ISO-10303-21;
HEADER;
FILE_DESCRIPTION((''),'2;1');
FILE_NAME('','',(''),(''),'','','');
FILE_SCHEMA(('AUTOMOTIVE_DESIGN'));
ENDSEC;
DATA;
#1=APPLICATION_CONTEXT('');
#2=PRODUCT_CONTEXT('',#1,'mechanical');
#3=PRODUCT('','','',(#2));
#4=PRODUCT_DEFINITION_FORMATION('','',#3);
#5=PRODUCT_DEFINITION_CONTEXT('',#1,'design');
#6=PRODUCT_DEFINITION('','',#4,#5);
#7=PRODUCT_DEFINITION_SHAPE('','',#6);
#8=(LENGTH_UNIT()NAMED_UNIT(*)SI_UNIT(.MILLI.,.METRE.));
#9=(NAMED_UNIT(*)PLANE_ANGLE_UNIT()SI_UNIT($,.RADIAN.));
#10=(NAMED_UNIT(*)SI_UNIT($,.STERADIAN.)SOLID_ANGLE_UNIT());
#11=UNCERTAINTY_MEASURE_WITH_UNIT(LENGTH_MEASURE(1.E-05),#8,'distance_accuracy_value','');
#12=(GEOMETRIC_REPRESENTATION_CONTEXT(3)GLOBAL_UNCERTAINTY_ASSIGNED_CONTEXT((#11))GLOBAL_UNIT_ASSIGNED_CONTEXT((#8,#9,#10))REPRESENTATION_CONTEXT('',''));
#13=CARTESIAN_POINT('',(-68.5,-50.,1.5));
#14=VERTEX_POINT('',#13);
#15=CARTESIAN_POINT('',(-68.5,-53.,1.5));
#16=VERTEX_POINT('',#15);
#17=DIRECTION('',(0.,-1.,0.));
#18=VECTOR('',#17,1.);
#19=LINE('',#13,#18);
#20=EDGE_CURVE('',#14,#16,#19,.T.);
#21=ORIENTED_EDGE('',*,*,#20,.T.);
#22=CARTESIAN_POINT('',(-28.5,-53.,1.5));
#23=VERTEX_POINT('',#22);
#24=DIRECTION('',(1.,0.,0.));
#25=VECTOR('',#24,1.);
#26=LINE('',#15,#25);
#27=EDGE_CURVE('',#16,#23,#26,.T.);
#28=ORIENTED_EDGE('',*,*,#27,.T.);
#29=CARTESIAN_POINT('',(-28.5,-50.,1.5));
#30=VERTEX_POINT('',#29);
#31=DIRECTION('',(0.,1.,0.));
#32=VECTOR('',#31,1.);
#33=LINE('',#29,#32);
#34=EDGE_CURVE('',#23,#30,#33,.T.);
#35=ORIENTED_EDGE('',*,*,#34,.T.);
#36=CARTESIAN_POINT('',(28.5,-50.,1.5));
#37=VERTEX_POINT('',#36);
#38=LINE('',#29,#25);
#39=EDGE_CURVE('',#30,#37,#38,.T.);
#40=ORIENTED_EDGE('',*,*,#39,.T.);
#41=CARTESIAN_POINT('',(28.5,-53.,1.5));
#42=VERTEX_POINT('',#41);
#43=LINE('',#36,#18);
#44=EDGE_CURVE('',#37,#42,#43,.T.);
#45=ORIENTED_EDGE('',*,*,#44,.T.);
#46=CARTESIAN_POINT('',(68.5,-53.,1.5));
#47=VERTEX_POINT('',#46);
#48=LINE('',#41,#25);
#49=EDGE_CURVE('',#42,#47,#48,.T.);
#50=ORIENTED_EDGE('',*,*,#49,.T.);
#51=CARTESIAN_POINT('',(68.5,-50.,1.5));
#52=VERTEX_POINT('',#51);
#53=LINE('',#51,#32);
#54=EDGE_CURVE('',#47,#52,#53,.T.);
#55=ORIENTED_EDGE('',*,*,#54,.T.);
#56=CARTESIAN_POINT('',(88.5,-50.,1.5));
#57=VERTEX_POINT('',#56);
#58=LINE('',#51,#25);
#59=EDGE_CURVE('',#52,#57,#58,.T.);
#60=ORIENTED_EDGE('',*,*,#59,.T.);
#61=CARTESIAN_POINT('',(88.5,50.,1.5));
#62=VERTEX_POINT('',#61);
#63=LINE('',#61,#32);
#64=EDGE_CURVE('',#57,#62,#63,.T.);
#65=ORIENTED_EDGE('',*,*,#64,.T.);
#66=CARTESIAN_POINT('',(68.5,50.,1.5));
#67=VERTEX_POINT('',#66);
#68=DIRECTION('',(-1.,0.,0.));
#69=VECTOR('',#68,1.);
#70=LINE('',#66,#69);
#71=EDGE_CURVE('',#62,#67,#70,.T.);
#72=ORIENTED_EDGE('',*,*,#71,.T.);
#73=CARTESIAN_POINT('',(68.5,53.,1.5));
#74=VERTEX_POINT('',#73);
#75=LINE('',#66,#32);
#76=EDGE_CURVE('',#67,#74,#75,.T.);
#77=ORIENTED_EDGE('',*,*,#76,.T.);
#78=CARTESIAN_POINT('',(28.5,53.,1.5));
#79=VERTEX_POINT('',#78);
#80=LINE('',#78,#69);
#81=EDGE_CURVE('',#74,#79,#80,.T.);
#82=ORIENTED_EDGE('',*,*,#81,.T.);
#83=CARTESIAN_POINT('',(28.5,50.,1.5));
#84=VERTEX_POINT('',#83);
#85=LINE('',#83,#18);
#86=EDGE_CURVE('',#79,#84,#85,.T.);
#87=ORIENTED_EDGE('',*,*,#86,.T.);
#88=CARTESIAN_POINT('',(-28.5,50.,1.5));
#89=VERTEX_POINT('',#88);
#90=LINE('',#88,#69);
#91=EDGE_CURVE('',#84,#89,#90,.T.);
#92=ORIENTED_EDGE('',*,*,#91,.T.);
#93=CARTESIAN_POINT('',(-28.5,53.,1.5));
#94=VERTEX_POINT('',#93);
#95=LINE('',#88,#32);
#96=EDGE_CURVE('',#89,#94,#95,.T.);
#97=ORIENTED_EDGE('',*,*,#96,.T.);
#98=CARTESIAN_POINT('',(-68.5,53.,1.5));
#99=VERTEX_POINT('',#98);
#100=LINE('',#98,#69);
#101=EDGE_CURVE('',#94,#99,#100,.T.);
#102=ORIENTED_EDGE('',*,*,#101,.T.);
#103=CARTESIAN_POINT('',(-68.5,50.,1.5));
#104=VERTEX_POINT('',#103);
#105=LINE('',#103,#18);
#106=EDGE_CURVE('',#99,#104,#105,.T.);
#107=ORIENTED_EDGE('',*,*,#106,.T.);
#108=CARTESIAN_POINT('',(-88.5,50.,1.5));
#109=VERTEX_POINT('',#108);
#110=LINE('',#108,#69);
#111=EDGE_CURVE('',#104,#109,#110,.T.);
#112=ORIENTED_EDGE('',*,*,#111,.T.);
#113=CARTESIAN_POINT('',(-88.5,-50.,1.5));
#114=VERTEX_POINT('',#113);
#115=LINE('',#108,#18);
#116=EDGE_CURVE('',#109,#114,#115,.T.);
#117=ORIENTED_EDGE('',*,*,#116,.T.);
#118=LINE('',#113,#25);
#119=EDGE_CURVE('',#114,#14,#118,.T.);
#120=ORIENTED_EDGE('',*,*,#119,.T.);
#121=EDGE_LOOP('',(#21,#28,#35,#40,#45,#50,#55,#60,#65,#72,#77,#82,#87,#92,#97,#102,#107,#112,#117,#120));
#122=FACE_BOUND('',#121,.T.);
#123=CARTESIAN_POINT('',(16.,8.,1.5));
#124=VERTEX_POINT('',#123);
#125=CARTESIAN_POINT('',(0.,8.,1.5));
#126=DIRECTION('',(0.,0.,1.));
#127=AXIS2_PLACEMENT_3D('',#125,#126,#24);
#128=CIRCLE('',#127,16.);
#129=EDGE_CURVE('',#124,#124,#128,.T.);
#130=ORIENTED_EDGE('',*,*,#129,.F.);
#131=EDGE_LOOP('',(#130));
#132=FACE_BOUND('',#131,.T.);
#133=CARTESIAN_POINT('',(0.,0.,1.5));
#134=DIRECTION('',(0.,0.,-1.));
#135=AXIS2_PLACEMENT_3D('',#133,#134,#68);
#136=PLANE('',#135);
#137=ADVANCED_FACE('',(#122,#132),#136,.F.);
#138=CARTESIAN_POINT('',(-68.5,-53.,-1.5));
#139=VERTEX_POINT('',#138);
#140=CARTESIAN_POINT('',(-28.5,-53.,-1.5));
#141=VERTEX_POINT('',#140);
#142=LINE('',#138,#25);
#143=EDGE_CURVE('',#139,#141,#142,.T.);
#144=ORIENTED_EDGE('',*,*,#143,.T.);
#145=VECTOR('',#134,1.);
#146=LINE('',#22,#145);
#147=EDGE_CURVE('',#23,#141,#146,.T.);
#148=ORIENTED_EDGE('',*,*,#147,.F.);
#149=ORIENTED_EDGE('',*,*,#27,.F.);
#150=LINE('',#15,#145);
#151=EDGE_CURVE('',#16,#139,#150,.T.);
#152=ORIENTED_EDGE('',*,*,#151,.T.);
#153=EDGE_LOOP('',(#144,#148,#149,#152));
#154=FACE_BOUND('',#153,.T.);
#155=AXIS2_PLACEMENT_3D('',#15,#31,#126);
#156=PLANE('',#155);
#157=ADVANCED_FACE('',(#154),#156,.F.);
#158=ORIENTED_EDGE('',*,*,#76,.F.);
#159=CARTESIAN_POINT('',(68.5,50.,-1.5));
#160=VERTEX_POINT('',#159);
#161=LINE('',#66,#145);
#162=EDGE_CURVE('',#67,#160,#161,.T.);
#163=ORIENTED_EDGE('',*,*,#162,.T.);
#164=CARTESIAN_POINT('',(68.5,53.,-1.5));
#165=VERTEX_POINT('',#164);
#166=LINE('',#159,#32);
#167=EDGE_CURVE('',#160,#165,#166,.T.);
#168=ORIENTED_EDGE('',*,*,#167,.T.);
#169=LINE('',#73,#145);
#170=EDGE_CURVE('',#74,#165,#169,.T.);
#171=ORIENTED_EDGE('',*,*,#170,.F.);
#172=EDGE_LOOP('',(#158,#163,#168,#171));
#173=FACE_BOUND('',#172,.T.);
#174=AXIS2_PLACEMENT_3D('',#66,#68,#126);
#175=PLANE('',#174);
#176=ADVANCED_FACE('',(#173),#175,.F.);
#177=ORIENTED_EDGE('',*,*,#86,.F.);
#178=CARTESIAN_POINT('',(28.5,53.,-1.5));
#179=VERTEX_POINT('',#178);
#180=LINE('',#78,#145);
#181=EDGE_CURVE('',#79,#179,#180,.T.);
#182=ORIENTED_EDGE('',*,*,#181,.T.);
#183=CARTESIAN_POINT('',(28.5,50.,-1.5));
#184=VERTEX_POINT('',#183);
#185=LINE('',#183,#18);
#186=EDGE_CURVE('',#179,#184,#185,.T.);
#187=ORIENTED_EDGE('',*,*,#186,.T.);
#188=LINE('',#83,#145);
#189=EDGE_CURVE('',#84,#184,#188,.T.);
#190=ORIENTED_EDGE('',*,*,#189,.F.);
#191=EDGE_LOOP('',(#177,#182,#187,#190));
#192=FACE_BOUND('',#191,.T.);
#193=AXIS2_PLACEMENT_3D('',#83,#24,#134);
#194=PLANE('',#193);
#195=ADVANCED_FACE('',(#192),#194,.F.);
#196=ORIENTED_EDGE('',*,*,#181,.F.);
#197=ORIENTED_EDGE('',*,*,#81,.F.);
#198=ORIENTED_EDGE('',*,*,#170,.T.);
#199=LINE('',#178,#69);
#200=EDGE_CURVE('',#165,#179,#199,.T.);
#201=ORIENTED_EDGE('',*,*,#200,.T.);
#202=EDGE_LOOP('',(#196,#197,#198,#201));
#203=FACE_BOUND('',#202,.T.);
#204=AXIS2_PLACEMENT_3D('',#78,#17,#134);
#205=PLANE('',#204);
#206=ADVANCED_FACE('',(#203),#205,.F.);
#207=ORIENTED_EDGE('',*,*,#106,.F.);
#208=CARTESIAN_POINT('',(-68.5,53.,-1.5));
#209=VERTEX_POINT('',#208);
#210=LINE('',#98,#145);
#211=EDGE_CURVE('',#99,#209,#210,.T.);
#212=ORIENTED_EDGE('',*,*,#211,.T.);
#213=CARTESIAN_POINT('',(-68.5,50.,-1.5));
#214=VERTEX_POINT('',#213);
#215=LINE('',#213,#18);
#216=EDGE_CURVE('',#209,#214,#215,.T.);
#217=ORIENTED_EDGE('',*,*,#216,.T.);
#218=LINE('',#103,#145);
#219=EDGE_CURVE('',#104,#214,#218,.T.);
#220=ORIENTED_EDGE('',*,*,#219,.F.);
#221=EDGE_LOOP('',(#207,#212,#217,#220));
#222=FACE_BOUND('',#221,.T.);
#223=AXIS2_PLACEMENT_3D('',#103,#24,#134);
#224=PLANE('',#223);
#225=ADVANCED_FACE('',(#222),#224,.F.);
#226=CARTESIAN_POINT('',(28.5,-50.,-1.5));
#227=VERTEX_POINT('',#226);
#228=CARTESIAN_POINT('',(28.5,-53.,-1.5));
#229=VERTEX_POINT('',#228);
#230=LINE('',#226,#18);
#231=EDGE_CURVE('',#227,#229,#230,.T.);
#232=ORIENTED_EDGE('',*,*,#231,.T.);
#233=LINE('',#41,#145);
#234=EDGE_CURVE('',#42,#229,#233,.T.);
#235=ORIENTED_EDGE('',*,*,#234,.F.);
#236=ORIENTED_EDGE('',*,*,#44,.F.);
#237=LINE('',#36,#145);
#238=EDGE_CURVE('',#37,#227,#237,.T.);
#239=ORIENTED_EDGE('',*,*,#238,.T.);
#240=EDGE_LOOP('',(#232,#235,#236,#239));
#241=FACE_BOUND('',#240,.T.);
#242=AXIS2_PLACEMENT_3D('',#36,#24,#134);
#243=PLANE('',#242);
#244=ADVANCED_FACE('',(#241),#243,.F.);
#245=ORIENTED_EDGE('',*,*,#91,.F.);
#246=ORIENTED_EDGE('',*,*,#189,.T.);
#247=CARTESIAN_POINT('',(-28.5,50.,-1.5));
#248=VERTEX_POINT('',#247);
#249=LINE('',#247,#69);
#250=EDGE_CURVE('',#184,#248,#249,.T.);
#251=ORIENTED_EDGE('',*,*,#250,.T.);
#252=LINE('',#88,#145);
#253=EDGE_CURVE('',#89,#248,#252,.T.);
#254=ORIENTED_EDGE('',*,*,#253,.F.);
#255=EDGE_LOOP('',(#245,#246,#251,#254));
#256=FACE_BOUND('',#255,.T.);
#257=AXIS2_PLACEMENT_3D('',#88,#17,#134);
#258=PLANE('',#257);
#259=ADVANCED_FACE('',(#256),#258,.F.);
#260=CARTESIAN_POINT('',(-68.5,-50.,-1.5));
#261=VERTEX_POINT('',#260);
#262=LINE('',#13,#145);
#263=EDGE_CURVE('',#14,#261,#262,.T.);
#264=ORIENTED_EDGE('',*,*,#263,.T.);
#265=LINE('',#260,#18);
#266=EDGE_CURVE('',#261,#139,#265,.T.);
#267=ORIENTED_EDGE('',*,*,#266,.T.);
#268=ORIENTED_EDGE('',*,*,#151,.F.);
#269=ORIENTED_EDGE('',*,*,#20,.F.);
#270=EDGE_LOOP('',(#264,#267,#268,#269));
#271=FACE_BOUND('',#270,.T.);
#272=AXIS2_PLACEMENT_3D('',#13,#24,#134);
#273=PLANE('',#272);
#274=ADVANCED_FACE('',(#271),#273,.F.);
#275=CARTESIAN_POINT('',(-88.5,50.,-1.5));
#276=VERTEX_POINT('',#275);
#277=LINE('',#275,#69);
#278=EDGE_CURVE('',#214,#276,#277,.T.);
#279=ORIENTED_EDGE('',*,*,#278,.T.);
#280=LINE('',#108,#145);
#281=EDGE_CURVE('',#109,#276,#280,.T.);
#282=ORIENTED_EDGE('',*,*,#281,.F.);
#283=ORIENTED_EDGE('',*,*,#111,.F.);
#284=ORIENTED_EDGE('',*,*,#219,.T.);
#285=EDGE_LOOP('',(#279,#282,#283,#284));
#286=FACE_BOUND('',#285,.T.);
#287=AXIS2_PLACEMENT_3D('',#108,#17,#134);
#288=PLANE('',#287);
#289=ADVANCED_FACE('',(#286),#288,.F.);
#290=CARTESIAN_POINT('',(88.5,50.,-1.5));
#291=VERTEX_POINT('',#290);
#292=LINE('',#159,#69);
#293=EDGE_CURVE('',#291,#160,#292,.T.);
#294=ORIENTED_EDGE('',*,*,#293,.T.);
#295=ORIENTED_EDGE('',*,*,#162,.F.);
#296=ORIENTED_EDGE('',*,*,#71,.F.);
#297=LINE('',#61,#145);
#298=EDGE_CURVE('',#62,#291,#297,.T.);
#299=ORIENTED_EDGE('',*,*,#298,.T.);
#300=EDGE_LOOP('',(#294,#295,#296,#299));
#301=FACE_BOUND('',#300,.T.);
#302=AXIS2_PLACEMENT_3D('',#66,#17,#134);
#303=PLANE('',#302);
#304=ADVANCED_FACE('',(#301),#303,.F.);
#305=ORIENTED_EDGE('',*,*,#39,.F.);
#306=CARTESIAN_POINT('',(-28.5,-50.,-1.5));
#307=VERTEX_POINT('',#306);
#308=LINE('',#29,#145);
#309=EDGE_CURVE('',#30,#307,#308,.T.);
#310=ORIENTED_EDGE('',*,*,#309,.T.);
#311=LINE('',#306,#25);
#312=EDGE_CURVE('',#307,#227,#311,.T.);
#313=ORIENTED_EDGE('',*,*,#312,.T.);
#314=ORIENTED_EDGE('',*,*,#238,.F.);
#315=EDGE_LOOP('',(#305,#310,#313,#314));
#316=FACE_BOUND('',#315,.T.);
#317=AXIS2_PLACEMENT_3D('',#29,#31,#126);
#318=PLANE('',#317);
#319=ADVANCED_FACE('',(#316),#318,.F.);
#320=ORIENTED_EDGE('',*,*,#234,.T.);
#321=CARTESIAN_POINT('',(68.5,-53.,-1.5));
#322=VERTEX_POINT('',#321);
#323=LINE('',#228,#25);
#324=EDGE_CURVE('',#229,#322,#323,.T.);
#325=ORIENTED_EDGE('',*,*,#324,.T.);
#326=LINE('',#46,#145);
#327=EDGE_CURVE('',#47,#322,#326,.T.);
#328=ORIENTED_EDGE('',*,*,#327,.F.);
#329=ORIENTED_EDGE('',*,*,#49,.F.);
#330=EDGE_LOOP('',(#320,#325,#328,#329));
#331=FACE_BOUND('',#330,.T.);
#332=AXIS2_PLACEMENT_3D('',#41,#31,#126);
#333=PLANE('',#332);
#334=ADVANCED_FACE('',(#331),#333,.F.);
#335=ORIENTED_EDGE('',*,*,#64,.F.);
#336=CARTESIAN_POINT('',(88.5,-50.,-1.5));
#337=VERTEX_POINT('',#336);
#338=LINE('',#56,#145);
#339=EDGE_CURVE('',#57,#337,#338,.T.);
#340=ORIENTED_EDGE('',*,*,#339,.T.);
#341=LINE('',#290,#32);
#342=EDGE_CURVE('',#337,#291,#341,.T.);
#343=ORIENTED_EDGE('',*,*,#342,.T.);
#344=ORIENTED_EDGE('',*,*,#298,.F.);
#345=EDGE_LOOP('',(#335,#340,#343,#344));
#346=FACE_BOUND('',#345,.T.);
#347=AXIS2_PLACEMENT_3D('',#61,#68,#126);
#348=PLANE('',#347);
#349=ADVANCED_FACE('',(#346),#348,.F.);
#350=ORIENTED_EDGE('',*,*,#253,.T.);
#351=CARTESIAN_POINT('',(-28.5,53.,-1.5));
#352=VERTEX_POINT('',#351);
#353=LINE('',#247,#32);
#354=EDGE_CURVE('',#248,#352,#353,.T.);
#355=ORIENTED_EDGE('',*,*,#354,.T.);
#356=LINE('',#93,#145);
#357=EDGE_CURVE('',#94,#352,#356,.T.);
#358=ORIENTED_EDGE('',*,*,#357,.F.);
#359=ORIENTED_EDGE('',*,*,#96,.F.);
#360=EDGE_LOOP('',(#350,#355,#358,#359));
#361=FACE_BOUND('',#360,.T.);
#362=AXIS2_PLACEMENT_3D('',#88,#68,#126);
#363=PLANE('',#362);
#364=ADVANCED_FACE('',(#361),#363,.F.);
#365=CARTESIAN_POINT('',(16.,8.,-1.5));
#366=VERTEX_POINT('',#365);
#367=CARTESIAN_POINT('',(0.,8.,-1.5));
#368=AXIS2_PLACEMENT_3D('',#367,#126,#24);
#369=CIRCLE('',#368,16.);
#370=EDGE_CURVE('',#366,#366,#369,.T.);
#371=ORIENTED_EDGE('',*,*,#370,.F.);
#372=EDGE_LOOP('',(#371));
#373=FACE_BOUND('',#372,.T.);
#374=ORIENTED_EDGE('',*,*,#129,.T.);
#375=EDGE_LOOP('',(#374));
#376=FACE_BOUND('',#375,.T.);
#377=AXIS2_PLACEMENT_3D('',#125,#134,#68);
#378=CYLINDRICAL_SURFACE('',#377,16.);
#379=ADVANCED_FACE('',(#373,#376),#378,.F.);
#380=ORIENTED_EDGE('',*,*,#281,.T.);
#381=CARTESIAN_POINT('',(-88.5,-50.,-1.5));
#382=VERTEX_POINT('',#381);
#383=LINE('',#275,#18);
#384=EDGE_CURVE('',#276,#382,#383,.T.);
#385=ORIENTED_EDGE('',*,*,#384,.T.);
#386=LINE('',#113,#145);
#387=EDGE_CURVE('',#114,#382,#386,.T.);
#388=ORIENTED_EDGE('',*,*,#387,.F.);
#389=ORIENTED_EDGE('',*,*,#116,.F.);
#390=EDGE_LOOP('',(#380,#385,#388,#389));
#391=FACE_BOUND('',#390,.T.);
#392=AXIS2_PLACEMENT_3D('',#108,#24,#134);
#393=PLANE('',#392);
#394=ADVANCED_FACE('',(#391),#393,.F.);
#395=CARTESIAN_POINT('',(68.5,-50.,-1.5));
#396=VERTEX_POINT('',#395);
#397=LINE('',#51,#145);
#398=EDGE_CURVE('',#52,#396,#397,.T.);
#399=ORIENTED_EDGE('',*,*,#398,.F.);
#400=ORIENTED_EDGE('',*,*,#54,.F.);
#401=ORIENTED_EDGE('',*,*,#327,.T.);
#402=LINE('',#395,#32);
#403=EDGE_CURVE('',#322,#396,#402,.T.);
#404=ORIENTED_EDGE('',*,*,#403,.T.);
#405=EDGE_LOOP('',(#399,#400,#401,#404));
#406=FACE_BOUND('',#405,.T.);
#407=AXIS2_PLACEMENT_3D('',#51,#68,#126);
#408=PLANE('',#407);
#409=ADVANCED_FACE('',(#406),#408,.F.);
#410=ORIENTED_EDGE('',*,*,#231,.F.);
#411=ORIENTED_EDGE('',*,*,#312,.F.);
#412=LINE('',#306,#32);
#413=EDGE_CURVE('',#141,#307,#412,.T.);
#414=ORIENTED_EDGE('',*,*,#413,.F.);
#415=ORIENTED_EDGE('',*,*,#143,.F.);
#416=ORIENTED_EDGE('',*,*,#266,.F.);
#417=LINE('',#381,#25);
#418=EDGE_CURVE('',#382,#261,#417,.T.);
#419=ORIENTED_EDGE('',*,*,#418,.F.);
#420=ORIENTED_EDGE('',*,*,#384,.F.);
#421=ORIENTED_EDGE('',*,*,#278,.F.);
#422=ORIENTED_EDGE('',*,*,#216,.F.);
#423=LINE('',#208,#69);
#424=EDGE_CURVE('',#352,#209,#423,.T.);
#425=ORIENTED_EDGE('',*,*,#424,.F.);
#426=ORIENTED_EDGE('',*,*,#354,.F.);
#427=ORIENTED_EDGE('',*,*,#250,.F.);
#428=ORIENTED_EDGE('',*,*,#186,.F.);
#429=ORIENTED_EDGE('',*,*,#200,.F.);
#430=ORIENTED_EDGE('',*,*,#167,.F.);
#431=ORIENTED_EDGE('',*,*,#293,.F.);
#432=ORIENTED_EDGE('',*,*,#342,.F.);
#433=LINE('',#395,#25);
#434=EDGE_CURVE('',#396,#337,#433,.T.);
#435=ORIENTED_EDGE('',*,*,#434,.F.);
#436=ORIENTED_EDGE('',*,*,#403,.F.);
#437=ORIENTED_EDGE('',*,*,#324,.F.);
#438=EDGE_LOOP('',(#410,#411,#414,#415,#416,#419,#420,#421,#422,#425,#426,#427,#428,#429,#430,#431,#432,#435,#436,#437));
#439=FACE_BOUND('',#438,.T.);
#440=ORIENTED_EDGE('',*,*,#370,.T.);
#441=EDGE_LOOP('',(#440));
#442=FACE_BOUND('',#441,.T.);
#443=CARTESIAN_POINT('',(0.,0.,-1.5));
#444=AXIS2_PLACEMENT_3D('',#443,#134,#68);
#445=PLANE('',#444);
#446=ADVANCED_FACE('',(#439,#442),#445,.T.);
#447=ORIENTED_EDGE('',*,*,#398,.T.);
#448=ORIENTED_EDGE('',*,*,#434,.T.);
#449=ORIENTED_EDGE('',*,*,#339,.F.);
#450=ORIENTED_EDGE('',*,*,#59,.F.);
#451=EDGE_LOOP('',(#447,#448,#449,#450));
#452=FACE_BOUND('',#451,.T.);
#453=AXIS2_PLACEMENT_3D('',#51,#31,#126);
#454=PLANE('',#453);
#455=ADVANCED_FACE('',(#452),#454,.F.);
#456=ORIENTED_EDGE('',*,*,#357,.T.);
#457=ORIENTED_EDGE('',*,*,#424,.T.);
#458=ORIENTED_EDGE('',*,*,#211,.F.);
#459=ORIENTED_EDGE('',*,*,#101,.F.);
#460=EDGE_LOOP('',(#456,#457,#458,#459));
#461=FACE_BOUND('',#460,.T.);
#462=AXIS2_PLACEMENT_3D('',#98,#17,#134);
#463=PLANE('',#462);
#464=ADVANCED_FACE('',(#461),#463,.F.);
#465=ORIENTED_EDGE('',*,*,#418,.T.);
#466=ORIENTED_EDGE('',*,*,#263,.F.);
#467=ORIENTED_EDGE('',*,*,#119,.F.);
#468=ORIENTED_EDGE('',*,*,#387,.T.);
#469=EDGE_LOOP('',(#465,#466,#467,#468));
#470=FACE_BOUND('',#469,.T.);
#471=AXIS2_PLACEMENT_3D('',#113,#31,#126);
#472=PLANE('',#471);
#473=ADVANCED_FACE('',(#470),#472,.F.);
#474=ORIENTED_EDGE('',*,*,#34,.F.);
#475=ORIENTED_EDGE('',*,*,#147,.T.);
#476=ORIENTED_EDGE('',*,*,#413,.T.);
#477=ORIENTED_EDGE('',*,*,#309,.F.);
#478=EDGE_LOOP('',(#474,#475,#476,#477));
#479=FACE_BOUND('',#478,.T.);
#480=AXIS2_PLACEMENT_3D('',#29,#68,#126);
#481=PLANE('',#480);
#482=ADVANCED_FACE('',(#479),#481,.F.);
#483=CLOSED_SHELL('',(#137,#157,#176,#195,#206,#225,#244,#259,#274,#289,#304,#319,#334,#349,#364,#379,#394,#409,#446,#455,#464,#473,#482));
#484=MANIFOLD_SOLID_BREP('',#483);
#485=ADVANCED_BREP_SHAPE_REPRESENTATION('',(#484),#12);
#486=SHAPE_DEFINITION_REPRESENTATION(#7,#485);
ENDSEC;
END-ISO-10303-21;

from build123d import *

# Parameters (mm, degrees)
SKETCH1_R           = 16
BOSS_EXTRUDE1_DEPTH = 1.5


with BuildPart() as part:
    # Sketch1 → Boss-Extrude1 (new body, symmetric)
    with BuildSketch(Plane.XY):
        Polygon((-28.5, 50), (28.5, 50), (28.5, 53), (68.5, 53), (68.5, 50), (88.5, 50), (88.5, -50), (68.5, -50), (68.5, -53), (28.5, -53), (28.5, -50), (-28.5, -50), (-28.5, -53), (-68.5, -53), (-68.5, -50), (-88.5, -50), (-88.5, 50), (-68.5, 50), (-68.5, 53), (-28.5, 53), align=None)
        with Locations((0, 8)):
            Circle(SKETCH1_R, mode=Mode.SUBTRACT)
    extrude(amount=BOSS_EXTRUDE1_DEPTH, both=True)


solid = part.part
